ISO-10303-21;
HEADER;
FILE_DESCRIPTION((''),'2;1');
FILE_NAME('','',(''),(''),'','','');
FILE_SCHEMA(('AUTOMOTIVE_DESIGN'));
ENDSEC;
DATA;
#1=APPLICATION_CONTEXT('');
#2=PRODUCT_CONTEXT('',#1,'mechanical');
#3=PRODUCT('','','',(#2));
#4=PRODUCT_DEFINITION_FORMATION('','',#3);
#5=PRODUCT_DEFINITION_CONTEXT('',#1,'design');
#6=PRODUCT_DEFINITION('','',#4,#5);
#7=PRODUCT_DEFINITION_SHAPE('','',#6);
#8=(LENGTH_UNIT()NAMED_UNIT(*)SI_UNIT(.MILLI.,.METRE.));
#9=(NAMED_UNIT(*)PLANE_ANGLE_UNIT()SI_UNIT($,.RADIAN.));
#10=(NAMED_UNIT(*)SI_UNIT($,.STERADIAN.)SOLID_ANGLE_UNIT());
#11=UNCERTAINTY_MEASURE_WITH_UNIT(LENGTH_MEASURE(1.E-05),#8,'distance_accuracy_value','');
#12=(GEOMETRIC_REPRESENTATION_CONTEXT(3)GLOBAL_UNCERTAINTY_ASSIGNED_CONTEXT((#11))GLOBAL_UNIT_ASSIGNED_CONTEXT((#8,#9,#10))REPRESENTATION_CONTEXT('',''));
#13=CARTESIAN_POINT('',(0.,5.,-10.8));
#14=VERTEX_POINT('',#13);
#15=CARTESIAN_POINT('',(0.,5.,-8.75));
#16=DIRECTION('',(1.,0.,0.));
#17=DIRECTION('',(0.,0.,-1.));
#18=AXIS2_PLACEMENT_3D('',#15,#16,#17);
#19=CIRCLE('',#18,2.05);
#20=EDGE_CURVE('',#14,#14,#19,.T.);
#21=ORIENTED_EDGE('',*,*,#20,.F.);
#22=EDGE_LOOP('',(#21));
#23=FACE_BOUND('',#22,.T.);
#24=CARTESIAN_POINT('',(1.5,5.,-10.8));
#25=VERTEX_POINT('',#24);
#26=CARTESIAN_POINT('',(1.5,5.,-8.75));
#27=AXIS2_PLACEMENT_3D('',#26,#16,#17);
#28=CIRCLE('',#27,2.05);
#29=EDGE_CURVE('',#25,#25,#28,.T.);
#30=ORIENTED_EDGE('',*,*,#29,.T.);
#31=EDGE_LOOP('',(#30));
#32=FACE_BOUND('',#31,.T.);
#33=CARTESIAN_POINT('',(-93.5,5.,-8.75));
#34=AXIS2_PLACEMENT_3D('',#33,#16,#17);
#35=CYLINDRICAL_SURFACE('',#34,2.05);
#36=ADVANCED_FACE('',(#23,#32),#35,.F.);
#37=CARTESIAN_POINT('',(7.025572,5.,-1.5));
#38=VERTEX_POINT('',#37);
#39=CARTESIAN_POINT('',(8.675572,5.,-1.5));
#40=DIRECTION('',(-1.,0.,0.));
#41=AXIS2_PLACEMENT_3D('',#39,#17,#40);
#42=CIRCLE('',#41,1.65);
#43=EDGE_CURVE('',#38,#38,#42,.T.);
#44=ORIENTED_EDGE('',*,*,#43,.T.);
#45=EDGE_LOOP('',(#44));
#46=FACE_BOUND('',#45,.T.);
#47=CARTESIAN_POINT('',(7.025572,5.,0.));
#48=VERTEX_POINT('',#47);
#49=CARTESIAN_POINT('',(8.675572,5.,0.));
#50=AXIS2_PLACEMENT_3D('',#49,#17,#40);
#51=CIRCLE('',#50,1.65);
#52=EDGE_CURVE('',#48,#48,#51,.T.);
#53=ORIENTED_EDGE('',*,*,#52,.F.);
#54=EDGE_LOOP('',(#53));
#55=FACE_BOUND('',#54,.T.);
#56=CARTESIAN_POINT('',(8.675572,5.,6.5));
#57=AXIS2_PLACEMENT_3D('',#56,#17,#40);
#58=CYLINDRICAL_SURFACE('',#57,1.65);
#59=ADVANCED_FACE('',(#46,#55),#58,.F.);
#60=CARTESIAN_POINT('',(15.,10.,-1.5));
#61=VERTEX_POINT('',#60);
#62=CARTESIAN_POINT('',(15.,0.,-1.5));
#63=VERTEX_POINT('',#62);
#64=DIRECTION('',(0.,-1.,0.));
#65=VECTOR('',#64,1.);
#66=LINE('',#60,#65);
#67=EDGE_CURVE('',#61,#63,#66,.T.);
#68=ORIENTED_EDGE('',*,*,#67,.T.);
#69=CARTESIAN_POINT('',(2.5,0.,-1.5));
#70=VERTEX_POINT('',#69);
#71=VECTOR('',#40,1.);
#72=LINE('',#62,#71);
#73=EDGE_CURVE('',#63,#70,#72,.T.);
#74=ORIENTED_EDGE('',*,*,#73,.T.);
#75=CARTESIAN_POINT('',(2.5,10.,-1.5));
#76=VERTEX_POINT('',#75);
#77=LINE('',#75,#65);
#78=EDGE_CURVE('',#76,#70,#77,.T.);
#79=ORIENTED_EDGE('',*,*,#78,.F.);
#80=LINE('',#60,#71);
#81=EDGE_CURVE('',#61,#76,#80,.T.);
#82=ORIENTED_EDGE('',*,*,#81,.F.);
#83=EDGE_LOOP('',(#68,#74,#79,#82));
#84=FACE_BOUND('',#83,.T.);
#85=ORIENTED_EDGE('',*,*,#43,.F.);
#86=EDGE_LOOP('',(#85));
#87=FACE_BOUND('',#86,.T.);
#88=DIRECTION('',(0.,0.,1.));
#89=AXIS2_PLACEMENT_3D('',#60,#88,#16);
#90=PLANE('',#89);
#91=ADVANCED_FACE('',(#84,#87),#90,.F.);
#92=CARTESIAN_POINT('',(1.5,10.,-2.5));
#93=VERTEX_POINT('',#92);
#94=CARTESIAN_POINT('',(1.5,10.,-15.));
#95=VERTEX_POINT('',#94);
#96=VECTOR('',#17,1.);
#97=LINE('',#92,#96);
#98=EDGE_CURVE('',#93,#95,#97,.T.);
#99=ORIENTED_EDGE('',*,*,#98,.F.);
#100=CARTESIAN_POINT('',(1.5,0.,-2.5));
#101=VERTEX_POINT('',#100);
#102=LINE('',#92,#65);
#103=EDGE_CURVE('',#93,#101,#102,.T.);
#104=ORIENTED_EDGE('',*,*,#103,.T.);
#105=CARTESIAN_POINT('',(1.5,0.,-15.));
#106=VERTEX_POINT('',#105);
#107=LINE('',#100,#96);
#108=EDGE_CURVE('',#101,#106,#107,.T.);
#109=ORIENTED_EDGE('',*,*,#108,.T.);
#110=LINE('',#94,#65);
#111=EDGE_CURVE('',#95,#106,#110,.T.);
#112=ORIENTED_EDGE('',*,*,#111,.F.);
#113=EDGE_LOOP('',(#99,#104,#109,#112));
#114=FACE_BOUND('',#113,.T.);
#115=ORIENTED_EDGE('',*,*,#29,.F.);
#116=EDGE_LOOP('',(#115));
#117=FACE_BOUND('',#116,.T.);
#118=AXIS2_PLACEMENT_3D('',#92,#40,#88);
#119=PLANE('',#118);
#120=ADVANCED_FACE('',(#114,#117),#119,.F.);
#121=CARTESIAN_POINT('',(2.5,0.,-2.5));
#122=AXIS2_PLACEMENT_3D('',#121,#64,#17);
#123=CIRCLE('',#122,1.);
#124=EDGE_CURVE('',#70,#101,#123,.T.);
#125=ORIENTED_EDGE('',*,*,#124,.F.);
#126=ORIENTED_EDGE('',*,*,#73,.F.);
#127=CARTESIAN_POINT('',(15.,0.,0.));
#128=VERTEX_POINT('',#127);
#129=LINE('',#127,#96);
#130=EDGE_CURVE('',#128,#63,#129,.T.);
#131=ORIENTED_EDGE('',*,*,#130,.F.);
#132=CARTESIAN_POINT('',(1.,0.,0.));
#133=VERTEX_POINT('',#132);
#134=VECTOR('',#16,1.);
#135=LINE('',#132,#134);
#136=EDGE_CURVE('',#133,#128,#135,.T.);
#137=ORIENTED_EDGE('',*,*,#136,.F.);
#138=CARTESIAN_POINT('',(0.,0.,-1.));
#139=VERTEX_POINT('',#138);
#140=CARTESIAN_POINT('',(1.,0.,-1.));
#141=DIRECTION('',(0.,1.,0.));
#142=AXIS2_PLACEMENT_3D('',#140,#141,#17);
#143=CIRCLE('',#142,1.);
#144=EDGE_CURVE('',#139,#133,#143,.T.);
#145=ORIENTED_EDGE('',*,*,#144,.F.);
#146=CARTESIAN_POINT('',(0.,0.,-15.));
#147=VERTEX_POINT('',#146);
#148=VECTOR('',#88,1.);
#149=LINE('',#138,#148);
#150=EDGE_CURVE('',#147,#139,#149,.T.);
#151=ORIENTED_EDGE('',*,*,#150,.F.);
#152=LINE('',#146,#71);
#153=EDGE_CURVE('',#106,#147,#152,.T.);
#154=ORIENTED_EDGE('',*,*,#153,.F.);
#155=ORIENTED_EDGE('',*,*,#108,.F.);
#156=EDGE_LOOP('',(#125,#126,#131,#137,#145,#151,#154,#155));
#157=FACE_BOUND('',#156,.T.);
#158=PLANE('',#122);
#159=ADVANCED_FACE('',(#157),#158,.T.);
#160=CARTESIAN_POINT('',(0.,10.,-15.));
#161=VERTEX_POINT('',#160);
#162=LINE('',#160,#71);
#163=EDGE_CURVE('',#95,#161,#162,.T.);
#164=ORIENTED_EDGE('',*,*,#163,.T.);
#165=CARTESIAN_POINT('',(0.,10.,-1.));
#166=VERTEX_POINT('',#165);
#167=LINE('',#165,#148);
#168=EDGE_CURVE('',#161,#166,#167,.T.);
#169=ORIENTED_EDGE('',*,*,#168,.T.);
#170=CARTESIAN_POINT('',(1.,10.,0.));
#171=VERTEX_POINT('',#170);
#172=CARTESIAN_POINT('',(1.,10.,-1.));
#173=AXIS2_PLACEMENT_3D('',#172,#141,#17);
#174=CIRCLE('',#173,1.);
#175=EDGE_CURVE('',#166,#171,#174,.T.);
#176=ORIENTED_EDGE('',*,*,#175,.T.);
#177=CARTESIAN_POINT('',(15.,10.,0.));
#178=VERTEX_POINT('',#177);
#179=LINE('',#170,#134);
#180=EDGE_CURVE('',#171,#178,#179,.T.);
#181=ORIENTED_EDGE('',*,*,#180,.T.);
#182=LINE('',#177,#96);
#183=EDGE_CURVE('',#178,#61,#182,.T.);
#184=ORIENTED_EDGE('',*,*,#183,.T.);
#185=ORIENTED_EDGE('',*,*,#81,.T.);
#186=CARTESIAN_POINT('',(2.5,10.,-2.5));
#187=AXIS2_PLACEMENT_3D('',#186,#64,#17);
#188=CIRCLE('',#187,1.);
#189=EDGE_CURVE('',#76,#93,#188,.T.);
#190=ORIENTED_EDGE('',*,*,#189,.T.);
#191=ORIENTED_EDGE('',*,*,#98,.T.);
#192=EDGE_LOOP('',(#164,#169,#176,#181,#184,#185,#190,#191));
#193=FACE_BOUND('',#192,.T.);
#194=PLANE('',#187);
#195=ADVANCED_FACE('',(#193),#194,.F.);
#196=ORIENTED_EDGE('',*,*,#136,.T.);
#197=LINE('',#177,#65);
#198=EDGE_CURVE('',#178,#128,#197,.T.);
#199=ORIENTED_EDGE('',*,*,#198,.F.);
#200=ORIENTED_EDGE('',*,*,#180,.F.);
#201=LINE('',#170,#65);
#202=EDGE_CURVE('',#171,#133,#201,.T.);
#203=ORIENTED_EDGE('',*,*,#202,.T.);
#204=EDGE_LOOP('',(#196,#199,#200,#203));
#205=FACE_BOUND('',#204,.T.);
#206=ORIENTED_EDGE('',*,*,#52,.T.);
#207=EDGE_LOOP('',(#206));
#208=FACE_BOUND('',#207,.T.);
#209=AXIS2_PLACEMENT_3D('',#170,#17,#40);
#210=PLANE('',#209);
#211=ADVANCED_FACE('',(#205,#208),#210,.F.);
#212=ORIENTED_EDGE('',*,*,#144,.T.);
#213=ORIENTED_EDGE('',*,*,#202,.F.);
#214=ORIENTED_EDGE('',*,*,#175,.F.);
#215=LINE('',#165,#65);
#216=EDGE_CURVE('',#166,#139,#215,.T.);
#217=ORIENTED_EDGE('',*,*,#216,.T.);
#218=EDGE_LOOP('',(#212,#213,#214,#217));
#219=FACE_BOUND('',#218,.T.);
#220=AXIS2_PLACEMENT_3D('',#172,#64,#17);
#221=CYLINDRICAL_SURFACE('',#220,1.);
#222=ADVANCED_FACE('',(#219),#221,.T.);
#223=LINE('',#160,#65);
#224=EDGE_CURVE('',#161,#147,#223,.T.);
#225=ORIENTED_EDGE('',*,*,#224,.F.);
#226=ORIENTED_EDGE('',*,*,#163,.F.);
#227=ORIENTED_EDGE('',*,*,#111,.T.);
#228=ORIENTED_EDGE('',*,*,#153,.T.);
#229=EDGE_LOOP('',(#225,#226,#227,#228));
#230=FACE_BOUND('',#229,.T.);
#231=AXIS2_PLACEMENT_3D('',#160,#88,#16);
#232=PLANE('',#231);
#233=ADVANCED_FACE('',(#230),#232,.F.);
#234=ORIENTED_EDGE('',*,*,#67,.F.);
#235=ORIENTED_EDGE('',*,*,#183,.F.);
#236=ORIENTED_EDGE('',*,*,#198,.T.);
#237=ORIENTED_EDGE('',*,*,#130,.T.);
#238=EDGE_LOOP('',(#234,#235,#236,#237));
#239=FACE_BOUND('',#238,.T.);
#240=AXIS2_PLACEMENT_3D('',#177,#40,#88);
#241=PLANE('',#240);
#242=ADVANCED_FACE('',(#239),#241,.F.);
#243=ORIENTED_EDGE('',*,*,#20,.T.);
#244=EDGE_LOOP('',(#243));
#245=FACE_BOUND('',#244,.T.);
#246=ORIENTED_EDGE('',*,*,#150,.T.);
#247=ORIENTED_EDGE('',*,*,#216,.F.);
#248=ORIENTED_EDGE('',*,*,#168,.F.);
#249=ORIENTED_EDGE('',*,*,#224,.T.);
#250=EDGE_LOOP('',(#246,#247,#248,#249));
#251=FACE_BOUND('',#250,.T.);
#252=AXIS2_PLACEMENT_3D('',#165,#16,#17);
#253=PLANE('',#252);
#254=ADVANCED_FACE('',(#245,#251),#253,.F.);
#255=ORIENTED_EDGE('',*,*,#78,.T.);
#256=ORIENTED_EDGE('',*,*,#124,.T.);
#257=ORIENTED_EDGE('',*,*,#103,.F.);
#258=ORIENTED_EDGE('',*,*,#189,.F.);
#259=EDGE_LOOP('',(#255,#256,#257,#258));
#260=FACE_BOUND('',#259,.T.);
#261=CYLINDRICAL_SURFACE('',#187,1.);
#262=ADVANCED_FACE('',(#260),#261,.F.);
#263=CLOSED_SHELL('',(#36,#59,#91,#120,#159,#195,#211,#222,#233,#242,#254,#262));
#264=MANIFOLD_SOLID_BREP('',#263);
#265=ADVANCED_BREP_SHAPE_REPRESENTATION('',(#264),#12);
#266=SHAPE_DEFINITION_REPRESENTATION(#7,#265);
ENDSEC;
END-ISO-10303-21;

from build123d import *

# Parameters (mm, degrees)
EXTRUDE_1_DEPTH     = 10
CUT_EXTRUDE_3_DEPTH = 8
SKETCH_12_R         = 2.05
CUT_EXTRUDE_5_DEPTH = 95


with BuildPart() as part:
    # Эскиз1 → Бобышка-Вытянуть1 (new body)
    with BuildSketch(Plane(origin=(0, 0, 0), x_dir=(1, 0, 0), z_dir=(0, 1, 0))):
        with BuildLine():
            Line((0, 1), (0, 15))
            Line((0, 15), (1.5, 15))
            Line((1.5, 15), (1.5, 2.5))
            ThreePointArc((1.5, 2.5), (1.792893219, 1.792893219), (2.5, 1.5))
            Line((2.5, 1.5), (15, 1.5))
            Line((15, 1.5), (15, 0))
            Line((15, 0), (1, 0))
            ThreePointArc((1, 0), (0.292893219, 0.292893219), (0, 1))
        make_face()
    extrude(amount=EXTRUDE_1_DEPTH)

    # Эскиз6 → Вырез-Вытянуть3 (cut)
    with BuildSketch(Plane(origin=(-307.940790238, -349.204468703, -1.5), x_dir=(-0.9998892265297747, 0.014884040771535371, 0), z_dir=(0, 0, -1))):
        with BuildLine():
            ThreePointArc((-309.659295343, 358.877763083), (-310.142569154, 360.044489272), (-311.309295343, 360.527763083))
            Line((-311.309295343, 360.527763083), (-311.309295343, 357.227763083))
            ThreePointArc((-311.309295343, 357.227763083), (-310.142569154, 357.711036894), (-309.659295343, 358.877763083))
        make_face()
        with BuildLine():
            Line((-311.309295343, 357.227763083), (-311.309295343, 360.527763083))
            ThreePointArc((-311.309295343, 360.527763083), (-312.959295343, 358.877763083), (-311.309295343, 357.227763083))
        make_face()
    extrude(amount=-CUT_EXTRUDE_3_DEPTH, mode=Mode.SUBTRACT)

    # Эскиз12 → Вырез-Вытянуть5 (cut)
    with BuildSketch(Plane(origin=(1.5, 0, 0), x_dir=(0, 0, -1), z_dir=(1, 0, 0))):
        with Locations((8.75, 5)):
            Circle(SKETCH_12_R)
    extrude(amount=-CUT_EXTRUDE_5_DEPTH, mode=Mode.SUBTRACT)


solid = part.part
